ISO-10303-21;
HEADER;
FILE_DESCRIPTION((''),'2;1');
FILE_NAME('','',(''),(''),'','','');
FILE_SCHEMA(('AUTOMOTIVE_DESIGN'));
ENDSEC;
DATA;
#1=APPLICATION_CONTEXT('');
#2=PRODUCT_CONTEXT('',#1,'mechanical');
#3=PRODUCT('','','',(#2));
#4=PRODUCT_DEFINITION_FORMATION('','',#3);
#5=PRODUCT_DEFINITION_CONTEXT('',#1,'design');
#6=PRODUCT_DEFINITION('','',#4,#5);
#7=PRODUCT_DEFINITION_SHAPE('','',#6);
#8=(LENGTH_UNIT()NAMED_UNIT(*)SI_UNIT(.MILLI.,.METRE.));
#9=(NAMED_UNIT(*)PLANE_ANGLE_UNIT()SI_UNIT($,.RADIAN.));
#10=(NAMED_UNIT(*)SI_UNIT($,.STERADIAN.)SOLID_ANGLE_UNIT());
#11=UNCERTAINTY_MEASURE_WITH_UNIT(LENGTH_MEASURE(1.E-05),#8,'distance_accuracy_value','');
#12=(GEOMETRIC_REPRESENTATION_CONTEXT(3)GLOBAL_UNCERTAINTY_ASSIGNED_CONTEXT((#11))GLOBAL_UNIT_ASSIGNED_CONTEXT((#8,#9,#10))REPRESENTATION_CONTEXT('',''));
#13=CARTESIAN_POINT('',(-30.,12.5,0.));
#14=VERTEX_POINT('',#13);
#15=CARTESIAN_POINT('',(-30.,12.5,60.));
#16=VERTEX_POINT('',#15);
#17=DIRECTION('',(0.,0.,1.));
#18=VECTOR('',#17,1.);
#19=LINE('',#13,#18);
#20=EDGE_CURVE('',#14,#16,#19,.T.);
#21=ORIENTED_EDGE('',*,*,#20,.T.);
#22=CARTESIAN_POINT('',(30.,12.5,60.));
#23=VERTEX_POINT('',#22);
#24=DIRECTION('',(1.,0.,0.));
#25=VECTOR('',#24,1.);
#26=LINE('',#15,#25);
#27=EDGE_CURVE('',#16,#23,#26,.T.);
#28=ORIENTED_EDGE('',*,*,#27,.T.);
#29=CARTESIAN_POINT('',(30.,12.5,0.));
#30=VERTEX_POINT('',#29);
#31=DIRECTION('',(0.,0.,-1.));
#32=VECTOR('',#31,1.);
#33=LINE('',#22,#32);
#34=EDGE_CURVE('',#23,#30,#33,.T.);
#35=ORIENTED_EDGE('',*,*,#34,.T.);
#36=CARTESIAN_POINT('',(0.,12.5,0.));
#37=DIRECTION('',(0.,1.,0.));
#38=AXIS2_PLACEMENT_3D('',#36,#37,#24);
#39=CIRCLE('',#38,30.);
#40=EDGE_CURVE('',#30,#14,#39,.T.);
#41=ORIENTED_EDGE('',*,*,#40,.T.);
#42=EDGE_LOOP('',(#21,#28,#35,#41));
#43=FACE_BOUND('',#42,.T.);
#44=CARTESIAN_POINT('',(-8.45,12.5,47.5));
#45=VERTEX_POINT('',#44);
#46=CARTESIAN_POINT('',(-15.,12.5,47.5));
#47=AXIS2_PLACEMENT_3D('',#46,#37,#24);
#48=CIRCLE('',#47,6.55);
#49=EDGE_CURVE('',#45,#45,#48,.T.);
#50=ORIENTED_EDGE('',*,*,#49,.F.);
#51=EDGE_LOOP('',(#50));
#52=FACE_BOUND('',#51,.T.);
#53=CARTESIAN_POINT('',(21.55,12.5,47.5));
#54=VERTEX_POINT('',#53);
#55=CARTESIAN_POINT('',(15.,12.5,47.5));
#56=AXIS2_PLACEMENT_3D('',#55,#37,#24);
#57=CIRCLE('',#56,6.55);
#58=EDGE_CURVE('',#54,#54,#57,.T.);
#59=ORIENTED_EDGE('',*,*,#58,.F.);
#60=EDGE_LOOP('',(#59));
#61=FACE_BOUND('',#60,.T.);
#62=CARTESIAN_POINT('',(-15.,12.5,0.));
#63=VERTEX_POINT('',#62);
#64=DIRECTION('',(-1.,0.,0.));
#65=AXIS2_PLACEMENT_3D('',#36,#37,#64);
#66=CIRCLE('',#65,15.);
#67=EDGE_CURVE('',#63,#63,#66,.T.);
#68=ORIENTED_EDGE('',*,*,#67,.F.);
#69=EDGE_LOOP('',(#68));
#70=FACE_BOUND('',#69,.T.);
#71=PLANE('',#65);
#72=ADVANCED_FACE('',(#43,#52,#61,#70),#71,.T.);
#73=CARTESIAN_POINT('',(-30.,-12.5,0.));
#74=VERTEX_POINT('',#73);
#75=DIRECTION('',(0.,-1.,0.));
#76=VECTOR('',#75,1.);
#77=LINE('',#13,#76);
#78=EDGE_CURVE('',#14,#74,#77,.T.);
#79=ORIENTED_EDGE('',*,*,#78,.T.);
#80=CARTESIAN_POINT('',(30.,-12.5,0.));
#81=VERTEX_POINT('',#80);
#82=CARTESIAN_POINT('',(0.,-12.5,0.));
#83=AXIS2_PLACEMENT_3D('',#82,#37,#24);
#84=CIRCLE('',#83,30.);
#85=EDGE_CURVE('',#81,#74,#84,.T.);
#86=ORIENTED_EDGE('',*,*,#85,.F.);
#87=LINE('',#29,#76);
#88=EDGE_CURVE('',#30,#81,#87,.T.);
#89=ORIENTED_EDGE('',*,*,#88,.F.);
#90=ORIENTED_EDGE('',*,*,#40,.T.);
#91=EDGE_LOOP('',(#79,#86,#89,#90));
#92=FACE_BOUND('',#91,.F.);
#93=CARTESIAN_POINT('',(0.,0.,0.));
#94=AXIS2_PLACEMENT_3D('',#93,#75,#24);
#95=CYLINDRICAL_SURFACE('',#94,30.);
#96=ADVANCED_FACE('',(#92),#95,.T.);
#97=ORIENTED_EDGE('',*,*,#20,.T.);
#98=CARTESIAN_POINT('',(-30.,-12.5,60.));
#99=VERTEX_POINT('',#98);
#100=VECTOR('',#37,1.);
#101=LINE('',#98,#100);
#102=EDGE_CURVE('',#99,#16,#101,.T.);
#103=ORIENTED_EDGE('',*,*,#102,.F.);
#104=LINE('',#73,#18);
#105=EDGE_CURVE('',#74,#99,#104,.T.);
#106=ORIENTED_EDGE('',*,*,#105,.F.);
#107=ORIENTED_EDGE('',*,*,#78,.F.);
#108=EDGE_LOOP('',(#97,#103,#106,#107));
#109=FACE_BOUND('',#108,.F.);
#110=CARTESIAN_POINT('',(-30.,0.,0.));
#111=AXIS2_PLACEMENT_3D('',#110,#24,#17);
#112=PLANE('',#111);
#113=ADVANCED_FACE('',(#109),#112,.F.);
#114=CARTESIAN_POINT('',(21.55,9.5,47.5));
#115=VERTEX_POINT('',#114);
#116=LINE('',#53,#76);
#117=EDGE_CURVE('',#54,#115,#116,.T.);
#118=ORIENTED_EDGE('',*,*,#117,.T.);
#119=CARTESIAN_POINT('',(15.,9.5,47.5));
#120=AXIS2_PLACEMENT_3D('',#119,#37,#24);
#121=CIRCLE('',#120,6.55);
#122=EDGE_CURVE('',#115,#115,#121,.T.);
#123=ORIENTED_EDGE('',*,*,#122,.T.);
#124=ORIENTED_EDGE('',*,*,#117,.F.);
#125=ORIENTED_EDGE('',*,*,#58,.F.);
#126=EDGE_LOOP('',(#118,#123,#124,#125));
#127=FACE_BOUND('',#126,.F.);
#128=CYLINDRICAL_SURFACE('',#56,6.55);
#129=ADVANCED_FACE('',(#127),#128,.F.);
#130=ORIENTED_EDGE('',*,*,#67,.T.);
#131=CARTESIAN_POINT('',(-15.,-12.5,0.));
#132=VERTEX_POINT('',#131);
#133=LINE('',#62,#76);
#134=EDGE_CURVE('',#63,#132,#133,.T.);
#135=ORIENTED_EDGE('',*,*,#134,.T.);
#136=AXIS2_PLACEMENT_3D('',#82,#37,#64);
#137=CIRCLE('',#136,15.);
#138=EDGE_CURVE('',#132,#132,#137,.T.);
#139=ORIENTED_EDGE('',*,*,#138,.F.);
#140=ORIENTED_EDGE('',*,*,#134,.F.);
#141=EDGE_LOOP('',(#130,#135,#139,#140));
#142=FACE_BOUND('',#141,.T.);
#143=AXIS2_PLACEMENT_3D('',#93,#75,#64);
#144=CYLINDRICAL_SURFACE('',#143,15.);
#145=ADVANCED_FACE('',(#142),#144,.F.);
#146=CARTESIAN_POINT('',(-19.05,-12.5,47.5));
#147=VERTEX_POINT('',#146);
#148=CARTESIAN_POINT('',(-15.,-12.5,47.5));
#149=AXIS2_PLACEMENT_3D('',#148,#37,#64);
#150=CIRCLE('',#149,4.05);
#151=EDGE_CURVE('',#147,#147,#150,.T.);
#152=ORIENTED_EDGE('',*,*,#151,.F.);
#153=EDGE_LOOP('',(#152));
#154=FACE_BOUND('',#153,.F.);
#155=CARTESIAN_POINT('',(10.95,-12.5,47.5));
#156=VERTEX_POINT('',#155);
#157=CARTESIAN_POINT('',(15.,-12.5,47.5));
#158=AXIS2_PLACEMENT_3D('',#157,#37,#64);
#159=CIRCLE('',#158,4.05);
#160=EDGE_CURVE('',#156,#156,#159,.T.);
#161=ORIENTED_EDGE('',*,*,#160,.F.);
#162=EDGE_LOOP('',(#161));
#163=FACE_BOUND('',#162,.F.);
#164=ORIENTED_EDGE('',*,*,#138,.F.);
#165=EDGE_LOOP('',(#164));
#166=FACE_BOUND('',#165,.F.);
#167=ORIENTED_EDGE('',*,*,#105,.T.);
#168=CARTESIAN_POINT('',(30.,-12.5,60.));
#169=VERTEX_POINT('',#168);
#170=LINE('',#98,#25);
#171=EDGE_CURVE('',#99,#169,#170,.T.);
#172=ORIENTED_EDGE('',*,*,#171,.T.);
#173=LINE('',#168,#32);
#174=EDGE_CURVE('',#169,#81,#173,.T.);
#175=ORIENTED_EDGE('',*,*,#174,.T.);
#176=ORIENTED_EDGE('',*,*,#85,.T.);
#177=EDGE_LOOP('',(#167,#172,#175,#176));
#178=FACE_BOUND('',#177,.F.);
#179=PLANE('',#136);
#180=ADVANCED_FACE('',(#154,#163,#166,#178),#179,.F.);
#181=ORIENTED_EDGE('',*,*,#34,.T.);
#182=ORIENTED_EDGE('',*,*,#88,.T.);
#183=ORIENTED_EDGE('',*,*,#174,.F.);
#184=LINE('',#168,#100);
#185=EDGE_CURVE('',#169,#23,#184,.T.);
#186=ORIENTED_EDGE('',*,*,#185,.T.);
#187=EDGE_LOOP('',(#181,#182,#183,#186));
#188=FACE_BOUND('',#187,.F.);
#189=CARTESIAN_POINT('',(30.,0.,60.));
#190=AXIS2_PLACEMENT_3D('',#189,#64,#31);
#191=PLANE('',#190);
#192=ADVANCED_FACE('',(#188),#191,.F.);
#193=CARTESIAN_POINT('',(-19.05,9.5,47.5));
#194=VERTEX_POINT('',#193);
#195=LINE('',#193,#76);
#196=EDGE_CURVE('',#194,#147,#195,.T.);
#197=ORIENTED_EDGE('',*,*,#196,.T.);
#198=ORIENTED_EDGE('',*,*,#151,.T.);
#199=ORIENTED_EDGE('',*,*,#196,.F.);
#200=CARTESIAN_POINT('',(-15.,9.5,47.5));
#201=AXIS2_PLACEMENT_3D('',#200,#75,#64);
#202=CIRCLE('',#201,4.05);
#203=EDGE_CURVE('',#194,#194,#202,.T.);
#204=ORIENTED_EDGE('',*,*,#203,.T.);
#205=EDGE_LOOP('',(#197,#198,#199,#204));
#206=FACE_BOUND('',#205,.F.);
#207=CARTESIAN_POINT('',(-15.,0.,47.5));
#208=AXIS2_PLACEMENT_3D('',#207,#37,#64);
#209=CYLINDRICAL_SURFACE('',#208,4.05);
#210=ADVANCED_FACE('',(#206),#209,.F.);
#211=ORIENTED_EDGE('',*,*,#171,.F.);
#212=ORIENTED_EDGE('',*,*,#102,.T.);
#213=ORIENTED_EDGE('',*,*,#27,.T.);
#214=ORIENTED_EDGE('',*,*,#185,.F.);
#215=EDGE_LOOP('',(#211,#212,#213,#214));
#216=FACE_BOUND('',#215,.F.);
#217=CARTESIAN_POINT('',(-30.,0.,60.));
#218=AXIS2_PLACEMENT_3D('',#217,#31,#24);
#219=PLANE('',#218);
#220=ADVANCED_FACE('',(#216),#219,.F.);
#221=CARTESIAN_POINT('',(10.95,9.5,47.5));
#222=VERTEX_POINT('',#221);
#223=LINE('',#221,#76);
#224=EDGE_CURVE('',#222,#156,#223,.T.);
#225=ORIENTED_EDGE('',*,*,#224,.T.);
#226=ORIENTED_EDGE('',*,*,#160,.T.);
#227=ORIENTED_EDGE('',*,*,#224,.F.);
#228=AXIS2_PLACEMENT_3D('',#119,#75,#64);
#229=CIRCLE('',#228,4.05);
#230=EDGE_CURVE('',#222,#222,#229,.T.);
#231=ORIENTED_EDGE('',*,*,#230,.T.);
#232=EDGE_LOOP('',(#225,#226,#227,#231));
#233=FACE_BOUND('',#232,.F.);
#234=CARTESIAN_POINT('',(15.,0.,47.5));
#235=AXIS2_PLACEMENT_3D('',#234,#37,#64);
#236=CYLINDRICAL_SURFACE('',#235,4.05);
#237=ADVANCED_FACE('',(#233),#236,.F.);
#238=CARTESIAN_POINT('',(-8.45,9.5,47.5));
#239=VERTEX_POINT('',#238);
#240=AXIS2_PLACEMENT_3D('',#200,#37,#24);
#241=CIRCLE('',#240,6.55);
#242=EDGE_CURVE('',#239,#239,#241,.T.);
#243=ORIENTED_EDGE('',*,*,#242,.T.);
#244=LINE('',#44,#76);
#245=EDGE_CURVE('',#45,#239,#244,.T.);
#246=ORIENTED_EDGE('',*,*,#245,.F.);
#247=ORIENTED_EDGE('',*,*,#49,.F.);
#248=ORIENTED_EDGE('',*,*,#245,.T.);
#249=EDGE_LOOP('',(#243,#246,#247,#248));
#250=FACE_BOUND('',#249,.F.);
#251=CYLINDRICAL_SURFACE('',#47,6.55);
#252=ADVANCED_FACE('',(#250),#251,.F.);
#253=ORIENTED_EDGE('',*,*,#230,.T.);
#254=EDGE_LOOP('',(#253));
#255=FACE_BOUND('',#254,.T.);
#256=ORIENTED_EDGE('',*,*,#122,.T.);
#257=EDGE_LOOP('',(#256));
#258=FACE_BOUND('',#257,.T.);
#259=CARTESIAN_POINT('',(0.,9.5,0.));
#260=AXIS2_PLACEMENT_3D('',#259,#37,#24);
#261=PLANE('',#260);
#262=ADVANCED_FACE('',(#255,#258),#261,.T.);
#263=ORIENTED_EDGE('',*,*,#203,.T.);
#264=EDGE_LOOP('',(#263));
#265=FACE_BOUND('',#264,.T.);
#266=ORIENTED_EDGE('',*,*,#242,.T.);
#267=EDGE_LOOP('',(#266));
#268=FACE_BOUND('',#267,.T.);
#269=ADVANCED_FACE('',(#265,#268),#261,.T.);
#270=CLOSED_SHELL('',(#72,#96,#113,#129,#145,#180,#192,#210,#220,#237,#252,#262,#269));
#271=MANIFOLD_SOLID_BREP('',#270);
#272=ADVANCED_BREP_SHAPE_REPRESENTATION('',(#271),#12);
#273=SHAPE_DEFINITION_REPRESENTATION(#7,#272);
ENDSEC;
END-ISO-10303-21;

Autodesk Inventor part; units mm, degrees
ref_plane "YZ Plane" through (0, 0, 0) normal (1, 0, 0) x (0, 1, 0)
ref_plane "XZ Plane" through (0, 0, 0) normal (0, 1, 0) x (-1, 0, 0)
ref_plane "XY Plane" through (0, 0, 0) normal (0, 0, 1) x (1, 0, 0)
sketch "Sketch1" plane through (0, 0, 0) normal (0, 1, 0) x (-1, 0, 0)
  line L0 (30, 60) -> (-30, 60)
  line L1 (-30, 60) -> (-30, 0)
  arc A0 (-30, 0) -> (30, 0) centre (0, 0) ccw
  line L2 (30, 0) -> (30, 60)
  circle A1 centre (0, 0) radius 15
  dimension "d0" = 60
  dimension "d1" = 60
  dimension "d2" = 30
extrude "Extrusion1" add sketch "Sketch1" along normal mid plane 25
sketch "Sketch2" plane through (0, 0, 0) normal (0, 1, 0) x (-1, 0, 0)
  line L0 (-30, 0) -> (-30, 60) construction
  line L1 (-30, 60) -> (30, 60) construction
  line L2 (30, 60) -> (30, 0) construction
  arc A0 (-30, 0) -> (30, 0) centre (0, 0) ccw construction
  circle A1 centre (0, 0) radius 15 construction
  line L3 (30, 60) -> (30, 0) construction
  line L4 (30, 35) -> (-30, 35) construction
  circle A2 centre (15, 47.5) radius 4.05
  line L5 (0, 35) -> (0, 60) construction
  circle A3 centre (-15, 47.5) radius 4.05
  point P0 (0, -30)
  point P1 (0, 47.5)
  dimension "d5" = 65
  dimension "d6" = 8.1
  dimension "d7" = 30
extrude "Extrusion2" cut sketch "Sketch2" along normal through all both and the other way through all
sketch "Sketch3" plane through (0, 12.5, 0) normal (0, 1, 0) x (1, 0, 0)
  circle A0 centre (-15, -47.5) radius 4.05 construction
  circle A1 centre (15, -47.5) radius 4.05 construction
  line L0 (30, -60) -> (30, 0) construction
  arc A2 (30, 0) -> (-30, 0) centre (0, 0) ccw construction
  line L1 (-30, 0) -> (-30, -60) construction
  line L2 (-30, -60) -> (30, -60) construction
  circle A3 centre (0, 0) radius 15 construction
  circle A4 centre (-15, -47.5) radius 4.05 projected
  circle A5 centre (-15, -47.5) radius 6.55
  circle A6 centre (15, -47.5) radius 6.55
  dimension "d10" = 13.1
  dimension "d11" = 13.1
extrude "Extrusion3" cut sketch "Sketch3" against normal blind 3 contours A4 | A5 | A6
properties part number "element3_obj4"
